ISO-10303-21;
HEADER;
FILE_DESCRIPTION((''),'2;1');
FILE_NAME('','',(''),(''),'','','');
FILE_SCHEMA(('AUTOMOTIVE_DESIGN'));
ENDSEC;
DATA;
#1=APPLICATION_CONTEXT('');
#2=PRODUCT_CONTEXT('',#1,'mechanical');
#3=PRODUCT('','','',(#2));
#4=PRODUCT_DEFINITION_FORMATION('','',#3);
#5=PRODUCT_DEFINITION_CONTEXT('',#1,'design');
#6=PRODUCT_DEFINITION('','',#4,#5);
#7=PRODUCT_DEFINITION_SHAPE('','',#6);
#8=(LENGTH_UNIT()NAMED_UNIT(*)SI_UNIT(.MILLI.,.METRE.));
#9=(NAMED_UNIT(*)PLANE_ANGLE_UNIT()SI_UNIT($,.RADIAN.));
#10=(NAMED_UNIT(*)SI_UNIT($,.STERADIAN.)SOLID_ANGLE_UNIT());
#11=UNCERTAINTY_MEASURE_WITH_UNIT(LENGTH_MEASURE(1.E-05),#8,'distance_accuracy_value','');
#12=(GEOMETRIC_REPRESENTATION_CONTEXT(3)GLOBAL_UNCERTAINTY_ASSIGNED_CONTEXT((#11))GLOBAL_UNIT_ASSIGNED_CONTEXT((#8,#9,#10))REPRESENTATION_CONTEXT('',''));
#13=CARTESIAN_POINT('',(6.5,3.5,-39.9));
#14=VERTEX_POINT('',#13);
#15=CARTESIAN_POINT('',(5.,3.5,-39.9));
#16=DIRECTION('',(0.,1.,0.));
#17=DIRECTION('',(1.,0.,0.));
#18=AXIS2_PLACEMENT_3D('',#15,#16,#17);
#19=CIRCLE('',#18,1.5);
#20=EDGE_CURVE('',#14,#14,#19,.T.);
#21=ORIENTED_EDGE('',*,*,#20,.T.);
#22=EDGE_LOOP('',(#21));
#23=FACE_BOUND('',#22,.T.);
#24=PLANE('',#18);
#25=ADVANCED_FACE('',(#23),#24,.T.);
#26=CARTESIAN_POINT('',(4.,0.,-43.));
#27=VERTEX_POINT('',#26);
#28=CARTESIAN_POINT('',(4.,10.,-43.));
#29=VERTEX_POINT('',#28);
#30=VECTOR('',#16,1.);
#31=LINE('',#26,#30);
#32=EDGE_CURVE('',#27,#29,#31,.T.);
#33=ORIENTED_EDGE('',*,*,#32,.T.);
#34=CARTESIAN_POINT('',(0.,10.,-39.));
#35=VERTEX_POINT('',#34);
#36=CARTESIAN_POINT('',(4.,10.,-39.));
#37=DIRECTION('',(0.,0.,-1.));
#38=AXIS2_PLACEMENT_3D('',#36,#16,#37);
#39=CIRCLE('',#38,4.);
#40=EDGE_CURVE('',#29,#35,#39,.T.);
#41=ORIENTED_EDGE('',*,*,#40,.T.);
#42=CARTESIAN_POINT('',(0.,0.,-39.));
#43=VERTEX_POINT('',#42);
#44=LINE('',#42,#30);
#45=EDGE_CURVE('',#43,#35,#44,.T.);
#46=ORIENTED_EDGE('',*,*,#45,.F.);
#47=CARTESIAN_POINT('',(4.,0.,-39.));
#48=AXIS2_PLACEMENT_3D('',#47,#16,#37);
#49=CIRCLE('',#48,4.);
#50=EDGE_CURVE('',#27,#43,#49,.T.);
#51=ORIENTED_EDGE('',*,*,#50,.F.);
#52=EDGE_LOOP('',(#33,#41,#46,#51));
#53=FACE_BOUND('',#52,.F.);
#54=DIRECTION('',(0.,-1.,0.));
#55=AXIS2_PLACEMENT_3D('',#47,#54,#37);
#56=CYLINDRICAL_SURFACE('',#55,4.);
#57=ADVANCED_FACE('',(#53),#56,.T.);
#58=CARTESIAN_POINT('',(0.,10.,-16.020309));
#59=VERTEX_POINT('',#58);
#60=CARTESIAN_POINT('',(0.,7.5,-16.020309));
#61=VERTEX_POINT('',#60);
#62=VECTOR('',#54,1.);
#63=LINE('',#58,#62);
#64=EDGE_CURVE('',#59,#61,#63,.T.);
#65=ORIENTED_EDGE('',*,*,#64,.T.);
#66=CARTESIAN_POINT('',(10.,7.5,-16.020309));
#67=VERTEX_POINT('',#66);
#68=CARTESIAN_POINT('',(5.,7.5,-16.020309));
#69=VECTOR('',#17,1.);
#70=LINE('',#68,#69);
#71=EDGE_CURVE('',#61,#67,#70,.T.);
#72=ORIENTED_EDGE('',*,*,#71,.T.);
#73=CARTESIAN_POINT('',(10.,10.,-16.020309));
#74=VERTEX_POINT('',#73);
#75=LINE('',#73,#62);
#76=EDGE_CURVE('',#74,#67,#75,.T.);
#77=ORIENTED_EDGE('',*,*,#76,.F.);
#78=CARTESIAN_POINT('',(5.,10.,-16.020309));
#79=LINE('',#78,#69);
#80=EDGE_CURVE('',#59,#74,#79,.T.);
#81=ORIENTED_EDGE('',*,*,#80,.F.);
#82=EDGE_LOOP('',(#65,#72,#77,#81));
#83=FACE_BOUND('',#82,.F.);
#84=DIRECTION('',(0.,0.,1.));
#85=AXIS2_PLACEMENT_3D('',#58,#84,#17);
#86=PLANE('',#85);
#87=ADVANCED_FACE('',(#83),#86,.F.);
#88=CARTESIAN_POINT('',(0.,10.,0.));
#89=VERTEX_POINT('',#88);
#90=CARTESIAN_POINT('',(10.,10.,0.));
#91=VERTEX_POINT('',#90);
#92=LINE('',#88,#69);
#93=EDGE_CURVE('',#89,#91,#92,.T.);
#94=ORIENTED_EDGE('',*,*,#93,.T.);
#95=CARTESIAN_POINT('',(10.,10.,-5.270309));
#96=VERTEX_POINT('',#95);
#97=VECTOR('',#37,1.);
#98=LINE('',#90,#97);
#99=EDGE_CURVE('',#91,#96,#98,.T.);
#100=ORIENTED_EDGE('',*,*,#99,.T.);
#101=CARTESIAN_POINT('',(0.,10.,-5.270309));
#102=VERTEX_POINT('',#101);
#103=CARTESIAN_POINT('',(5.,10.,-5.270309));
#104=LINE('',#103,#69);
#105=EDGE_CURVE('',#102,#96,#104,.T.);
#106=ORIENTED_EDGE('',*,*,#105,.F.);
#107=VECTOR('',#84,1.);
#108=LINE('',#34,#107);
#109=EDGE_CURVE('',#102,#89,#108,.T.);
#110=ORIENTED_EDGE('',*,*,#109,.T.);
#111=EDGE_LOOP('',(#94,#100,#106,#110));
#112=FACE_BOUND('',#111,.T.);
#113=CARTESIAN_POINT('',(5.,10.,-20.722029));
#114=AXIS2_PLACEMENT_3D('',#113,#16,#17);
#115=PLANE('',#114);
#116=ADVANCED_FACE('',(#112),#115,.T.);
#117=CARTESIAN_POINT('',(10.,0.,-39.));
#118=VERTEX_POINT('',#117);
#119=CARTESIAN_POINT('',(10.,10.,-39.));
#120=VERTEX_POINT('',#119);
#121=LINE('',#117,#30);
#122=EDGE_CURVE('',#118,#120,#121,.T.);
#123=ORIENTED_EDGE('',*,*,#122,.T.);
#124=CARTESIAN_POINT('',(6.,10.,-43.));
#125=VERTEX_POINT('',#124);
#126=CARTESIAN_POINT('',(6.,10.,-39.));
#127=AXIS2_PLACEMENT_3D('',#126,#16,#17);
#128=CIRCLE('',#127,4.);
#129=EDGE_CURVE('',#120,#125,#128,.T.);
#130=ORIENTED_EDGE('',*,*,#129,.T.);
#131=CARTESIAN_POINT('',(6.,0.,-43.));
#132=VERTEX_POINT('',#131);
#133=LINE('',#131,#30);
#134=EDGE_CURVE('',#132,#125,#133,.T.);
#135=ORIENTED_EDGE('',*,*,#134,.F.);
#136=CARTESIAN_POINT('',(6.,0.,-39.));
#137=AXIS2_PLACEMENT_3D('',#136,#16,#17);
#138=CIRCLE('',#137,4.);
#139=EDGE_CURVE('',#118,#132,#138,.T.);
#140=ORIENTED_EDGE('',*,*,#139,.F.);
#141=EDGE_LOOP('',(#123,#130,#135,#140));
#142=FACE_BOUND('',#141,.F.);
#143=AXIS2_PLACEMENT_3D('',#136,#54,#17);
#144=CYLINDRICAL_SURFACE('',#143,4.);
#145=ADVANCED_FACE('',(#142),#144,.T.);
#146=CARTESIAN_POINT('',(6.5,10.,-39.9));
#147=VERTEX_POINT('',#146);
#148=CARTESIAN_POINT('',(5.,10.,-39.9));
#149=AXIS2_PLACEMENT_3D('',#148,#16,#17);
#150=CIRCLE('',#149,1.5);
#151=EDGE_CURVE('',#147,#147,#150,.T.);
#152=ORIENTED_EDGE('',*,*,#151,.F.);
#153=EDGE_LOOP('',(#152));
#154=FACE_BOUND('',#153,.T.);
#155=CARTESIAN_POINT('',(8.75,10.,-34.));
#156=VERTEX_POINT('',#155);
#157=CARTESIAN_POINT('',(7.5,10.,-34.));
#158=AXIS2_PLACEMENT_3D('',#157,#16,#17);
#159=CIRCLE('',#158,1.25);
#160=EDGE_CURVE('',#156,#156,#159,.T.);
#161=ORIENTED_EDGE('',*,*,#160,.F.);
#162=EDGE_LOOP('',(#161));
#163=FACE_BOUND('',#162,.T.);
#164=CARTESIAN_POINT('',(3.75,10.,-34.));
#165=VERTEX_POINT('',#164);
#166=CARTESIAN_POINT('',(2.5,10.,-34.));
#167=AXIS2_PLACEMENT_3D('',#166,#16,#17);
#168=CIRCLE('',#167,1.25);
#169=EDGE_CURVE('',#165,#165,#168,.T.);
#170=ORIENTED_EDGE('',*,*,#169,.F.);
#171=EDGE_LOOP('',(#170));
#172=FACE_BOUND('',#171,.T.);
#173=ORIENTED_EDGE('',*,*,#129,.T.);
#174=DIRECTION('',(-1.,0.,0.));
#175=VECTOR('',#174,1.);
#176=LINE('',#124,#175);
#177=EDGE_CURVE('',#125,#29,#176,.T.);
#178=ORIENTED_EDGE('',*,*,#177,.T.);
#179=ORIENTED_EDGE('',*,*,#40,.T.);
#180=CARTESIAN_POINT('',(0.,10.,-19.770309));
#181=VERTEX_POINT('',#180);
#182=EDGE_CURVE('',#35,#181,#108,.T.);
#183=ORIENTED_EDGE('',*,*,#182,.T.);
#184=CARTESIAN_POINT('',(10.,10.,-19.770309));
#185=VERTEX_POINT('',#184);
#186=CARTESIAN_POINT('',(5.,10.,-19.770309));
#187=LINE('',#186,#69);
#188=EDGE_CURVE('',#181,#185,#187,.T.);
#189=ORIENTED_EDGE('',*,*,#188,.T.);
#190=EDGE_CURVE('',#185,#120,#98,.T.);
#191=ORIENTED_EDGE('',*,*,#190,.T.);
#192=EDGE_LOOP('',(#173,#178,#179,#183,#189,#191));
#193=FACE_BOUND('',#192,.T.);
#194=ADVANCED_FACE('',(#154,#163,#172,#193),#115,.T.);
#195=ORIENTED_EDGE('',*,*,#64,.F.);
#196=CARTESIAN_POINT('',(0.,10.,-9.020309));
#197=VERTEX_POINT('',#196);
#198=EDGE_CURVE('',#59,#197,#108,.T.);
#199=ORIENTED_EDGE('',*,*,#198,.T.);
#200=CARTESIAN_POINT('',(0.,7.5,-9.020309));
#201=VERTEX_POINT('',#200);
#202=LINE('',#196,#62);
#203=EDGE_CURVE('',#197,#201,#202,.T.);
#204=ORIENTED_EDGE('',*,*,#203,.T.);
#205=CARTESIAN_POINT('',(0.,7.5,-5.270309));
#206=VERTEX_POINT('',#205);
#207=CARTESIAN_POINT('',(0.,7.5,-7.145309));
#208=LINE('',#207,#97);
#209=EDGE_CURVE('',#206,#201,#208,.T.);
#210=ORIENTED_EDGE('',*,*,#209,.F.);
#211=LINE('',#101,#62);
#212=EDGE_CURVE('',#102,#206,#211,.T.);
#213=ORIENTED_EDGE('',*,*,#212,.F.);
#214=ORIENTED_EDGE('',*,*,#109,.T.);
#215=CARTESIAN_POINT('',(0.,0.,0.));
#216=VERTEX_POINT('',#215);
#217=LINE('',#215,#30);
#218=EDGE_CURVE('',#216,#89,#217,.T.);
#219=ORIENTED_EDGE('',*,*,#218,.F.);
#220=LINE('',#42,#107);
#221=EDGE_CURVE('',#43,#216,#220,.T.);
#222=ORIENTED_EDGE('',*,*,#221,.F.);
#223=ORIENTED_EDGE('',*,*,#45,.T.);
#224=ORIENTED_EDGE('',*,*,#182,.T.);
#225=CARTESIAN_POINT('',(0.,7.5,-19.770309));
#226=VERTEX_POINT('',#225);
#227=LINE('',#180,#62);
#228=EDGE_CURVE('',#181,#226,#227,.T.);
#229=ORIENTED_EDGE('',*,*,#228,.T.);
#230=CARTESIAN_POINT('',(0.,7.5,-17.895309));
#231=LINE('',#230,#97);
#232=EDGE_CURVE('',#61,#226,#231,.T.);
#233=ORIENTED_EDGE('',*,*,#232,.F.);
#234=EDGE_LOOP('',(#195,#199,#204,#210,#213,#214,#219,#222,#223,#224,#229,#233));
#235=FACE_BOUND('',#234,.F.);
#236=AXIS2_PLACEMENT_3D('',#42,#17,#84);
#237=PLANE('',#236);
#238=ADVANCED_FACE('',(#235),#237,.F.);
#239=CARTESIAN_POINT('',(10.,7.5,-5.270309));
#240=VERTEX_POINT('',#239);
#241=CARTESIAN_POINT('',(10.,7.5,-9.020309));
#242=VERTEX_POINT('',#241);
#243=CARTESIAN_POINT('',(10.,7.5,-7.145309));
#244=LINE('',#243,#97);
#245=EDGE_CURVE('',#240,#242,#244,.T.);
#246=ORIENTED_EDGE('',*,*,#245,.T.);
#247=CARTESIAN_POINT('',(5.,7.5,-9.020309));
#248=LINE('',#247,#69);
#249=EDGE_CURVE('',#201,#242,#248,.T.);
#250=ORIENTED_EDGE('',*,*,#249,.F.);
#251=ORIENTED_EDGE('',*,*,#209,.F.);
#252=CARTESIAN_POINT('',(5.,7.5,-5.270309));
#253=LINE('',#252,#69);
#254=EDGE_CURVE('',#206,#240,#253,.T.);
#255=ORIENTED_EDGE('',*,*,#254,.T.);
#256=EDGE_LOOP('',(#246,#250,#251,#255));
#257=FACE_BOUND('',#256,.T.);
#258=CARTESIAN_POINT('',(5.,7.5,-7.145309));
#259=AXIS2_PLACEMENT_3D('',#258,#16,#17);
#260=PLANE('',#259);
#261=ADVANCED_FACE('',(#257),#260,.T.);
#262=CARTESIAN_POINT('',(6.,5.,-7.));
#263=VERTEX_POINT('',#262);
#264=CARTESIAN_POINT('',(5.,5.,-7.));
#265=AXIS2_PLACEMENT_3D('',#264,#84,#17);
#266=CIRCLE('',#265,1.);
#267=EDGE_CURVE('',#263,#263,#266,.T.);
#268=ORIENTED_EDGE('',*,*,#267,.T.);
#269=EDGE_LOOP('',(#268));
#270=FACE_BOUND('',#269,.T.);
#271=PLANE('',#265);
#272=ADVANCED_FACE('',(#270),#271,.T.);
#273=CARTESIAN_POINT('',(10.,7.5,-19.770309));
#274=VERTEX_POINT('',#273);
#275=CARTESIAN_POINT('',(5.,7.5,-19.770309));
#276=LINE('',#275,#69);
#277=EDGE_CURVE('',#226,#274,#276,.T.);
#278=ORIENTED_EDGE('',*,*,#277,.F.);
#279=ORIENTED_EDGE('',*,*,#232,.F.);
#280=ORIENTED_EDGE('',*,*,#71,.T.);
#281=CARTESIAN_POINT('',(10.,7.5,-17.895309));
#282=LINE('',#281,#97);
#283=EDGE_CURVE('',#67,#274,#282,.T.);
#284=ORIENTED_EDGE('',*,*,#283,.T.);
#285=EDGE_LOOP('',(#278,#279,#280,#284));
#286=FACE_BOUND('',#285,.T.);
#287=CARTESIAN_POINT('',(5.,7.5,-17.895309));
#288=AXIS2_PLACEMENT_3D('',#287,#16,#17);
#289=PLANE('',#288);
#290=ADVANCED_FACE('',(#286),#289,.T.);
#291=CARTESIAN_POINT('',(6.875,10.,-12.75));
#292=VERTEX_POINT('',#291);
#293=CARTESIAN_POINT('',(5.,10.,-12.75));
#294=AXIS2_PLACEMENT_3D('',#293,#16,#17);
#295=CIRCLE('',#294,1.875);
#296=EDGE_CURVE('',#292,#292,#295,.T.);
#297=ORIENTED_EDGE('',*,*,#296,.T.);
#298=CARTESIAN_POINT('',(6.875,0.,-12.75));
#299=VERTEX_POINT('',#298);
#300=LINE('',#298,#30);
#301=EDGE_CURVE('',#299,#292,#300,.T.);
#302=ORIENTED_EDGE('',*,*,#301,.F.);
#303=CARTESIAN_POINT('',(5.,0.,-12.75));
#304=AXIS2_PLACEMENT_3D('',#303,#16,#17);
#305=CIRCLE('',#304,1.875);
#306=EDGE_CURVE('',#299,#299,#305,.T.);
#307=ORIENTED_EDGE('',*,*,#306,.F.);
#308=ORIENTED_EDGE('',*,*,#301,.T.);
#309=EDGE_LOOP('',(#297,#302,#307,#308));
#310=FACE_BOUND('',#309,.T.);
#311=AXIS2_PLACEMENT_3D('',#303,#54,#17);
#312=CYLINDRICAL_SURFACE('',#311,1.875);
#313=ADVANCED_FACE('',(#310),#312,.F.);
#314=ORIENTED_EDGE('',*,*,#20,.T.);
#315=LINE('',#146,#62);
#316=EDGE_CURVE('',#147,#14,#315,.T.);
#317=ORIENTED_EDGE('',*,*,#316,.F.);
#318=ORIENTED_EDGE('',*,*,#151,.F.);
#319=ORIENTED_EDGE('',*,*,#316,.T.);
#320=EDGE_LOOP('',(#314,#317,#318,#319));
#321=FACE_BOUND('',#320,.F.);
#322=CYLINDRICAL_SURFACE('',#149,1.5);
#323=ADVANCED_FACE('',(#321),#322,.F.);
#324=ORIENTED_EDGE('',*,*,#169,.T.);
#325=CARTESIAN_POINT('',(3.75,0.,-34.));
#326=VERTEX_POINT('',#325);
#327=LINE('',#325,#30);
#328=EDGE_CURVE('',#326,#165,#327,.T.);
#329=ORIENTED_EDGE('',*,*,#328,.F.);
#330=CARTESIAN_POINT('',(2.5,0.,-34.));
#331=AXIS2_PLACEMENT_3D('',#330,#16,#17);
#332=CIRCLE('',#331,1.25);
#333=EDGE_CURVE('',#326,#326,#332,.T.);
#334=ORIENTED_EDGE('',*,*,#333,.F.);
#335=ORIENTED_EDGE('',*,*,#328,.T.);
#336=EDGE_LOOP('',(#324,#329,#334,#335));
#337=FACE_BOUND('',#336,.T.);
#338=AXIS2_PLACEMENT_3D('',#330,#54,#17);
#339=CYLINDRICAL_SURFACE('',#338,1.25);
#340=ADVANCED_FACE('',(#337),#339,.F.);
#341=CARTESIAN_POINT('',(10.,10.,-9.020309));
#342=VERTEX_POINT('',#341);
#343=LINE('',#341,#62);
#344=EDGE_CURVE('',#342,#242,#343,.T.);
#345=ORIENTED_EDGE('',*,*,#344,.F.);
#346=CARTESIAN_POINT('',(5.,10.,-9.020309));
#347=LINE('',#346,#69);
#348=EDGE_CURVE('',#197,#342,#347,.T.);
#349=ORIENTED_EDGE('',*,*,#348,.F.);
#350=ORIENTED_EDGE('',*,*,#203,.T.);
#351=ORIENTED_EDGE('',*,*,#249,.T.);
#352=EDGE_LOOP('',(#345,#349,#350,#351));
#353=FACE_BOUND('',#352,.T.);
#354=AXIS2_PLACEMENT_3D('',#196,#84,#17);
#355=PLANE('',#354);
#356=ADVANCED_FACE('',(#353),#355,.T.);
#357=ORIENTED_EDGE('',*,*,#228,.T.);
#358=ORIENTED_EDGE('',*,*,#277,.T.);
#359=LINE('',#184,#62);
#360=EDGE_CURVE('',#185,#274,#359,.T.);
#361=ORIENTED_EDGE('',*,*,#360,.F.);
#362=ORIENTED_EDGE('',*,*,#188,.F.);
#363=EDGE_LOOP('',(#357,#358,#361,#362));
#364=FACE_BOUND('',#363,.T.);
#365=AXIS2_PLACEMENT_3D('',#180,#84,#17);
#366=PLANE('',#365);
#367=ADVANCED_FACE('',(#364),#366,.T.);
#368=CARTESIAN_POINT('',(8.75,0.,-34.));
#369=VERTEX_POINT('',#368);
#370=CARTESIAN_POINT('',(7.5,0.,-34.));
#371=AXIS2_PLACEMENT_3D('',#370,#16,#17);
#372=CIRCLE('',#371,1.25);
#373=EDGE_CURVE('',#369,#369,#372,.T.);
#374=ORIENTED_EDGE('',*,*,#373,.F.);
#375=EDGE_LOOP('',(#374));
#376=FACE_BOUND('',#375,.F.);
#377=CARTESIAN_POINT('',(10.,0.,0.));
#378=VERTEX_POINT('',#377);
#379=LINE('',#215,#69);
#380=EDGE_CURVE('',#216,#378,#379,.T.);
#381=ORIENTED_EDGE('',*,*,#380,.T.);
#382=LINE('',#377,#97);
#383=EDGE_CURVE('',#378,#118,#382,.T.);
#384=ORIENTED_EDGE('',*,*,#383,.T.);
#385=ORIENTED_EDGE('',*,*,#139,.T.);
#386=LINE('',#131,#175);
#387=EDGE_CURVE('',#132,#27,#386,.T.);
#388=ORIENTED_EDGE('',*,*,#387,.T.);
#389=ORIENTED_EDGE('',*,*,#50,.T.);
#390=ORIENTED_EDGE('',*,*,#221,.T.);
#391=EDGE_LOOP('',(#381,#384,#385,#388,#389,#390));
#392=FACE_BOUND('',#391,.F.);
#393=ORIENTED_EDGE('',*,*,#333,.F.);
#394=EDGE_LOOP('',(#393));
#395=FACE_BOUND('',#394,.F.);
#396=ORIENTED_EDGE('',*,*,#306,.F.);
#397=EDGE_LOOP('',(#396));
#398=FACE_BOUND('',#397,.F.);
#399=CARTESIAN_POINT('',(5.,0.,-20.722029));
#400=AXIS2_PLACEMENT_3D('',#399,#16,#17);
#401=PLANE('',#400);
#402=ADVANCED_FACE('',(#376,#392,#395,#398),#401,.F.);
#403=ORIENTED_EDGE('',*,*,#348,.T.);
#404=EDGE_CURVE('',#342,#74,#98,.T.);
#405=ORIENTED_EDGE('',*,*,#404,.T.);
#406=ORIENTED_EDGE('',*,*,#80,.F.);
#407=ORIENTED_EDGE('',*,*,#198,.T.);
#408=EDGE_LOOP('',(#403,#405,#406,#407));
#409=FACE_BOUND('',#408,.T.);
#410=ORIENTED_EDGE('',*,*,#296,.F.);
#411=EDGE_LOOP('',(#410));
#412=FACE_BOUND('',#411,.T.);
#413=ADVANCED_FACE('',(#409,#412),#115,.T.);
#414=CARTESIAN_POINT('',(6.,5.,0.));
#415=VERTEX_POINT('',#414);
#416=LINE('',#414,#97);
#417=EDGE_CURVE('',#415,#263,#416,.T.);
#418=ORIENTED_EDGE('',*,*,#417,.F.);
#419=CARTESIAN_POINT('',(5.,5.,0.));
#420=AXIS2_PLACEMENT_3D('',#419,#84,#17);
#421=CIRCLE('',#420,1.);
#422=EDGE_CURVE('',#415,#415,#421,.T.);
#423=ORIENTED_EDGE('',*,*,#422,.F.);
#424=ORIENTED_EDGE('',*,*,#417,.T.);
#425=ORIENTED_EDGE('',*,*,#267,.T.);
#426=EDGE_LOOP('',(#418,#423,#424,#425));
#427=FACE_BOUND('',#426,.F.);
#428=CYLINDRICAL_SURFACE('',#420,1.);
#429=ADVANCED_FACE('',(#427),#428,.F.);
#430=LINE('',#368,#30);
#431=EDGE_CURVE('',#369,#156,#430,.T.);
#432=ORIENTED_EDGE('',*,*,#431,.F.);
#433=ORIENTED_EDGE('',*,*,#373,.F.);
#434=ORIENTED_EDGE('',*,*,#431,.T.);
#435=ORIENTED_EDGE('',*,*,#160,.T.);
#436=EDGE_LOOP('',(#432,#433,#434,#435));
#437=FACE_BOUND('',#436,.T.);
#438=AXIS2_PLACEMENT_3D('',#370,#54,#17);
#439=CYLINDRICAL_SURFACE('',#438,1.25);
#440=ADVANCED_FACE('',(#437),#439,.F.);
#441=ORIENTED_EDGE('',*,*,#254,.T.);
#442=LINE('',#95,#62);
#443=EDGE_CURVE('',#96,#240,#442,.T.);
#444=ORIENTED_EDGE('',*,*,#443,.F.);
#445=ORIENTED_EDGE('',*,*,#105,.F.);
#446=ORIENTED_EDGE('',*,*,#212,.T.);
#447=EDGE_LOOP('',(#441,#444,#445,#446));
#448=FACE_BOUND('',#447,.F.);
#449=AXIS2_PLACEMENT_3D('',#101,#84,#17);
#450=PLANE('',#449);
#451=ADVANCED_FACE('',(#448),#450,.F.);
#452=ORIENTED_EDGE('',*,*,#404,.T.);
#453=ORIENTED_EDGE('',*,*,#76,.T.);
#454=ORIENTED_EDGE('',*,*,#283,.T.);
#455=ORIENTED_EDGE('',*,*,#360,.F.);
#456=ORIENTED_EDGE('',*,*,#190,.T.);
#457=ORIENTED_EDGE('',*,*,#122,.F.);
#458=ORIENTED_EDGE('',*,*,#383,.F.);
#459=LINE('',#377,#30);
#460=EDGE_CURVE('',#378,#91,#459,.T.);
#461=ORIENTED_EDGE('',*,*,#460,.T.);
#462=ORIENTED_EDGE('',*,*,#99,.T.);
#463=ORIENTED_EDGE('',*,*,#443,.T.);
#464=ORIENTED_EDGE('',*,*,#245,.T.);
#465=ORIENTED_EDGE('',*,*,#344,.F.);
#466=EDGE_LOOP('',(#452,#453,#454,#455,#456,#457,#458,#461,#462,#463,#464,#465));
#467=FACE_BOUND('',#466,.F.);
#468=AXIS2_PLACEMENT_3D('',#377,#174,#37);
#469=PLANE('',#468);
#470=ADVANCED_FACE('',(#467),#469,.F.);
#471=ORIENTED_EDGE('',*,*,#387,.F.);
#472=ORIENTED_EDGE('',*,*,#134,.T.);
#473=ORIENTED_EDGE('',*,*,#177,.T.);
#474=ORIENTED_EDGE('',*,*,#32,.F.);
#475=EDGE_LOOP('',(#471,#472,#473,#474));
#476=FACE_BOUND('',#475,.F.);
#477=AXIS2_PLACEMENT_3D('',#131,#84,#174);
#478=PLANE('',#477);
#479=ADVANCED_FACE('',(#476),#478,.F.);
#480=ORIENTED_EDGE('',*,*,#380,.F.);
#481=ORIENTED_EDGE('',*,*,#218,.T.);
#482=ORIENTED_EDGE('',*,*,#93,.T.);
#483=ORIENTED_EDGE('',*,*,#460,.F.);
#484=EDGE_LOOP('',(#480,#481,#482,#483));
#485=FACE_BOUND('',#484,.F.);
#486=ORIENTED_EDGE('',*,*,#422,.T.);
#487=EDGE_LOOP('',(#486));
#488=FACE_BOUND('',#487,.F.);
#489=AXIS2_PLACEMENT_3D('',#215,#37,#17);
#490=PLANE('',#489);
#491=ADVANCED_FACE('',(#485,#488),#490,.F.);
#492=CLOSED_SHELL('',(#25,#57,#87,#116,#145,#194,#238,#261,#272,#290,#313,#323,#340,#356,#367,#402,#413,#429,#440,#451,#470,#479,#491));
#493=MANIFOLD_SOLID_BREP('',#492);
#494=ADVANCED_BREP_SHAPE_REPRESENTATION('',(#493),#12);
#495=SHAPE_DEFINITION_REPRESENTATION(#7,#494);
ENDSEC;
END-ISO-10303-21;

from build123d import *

# Parameters (mm, degrees)
SKETCH1_R           = 1.25
SKETCH1_R_2         = 1.875
BOSS_EXTRUDE1_DEPTH = 10
SKETCH2_W           = 10
SKETCH2_H           = 3.75
CUT_EXTRUDE1_DEPTH  = 2.5
SKETCH2_3_R         = 1.5
CUT_EXTRUDE2_DEPTH  = 6.5
SKETCH3_R           = 1
CUT_EXTRUDE3_DEPTH  = 7


with BuildPart() as part:
    # Sketch1 → Boss-Extrude1 (new body)
    with BuildSketch(Plane(origin=(0, 0, 0), x_dir=(1, 0, 0), z_dir=(0, 1, 0))):
        with BuildLine():
            Line((0, 0), (10, 0))
            Line((10, 0), (10, 39))
            ThreePointArc((10, 39), (8.828427125, 41.828427125), (6, 43))
            Line((6, 43), (4, 43))
            ThreePointArc((4, 43), (1.171572875, 41.828427125), (0, 39))
            Line((0, 39), (0, 0))
        make_face()
        with Locations((2.5, 34)):
            Circle(SKETCH1_R, mode=Mode.SUBTRACT)
        with Locations((7.5, 34)):
            Circle(SKETCH1_R, mode=Mode.SUBTRACT)
        with Locations((5, 12.75)):
            Circle(SKETCH1_R_2, mode=Mode.SUBTRACT)
    extrude(amount=BOSS_EXTRUDE1_DEPTH)

    # Sketch2 → Cut-Extrude1 (cut)
    with BuildSketch(Plane(origin=(0, 10, 0), x_dir=(1, 0, 0), z_dir=(0, 1, 0))):
        with Locations((5, 17.895308756)):
            Rectangle(SKETCH2_W, SKETCH2_H)
        with Locations((5, 7.145308756)):
            Rectangle(SKETCH2_W, SKETCH2_H)
    extrude(amount=-CUT_EXTRUDE1_DEPTH, mode=Mode.SUBTRACT)

    # Sketch2<3> → Cut-Extrude2 (cut)
    with BuildSketch(Plane(origin=(0, 10, 0), x_dir=(1, 0, 0), z_dir=(0, 1, 0))):
        with Locations((5, 39.9)):
            Circle(SKETCH2_3_R)
    extrude(amount=-CUT_EXTRUDE2_DEPTH, mode=Mode.SUBTRACT)

    # Sketch3 → Cut-Extrude3 (cut)
    with BuildSketch(Plane.XY):
        with Locations((5, 5)):
            Circle(SKETCH3_R)
    extrude(amount=-CUT_EXTRUDE3_DEPTH, mode=Mode.SUBTRACT)


solid = part.part
